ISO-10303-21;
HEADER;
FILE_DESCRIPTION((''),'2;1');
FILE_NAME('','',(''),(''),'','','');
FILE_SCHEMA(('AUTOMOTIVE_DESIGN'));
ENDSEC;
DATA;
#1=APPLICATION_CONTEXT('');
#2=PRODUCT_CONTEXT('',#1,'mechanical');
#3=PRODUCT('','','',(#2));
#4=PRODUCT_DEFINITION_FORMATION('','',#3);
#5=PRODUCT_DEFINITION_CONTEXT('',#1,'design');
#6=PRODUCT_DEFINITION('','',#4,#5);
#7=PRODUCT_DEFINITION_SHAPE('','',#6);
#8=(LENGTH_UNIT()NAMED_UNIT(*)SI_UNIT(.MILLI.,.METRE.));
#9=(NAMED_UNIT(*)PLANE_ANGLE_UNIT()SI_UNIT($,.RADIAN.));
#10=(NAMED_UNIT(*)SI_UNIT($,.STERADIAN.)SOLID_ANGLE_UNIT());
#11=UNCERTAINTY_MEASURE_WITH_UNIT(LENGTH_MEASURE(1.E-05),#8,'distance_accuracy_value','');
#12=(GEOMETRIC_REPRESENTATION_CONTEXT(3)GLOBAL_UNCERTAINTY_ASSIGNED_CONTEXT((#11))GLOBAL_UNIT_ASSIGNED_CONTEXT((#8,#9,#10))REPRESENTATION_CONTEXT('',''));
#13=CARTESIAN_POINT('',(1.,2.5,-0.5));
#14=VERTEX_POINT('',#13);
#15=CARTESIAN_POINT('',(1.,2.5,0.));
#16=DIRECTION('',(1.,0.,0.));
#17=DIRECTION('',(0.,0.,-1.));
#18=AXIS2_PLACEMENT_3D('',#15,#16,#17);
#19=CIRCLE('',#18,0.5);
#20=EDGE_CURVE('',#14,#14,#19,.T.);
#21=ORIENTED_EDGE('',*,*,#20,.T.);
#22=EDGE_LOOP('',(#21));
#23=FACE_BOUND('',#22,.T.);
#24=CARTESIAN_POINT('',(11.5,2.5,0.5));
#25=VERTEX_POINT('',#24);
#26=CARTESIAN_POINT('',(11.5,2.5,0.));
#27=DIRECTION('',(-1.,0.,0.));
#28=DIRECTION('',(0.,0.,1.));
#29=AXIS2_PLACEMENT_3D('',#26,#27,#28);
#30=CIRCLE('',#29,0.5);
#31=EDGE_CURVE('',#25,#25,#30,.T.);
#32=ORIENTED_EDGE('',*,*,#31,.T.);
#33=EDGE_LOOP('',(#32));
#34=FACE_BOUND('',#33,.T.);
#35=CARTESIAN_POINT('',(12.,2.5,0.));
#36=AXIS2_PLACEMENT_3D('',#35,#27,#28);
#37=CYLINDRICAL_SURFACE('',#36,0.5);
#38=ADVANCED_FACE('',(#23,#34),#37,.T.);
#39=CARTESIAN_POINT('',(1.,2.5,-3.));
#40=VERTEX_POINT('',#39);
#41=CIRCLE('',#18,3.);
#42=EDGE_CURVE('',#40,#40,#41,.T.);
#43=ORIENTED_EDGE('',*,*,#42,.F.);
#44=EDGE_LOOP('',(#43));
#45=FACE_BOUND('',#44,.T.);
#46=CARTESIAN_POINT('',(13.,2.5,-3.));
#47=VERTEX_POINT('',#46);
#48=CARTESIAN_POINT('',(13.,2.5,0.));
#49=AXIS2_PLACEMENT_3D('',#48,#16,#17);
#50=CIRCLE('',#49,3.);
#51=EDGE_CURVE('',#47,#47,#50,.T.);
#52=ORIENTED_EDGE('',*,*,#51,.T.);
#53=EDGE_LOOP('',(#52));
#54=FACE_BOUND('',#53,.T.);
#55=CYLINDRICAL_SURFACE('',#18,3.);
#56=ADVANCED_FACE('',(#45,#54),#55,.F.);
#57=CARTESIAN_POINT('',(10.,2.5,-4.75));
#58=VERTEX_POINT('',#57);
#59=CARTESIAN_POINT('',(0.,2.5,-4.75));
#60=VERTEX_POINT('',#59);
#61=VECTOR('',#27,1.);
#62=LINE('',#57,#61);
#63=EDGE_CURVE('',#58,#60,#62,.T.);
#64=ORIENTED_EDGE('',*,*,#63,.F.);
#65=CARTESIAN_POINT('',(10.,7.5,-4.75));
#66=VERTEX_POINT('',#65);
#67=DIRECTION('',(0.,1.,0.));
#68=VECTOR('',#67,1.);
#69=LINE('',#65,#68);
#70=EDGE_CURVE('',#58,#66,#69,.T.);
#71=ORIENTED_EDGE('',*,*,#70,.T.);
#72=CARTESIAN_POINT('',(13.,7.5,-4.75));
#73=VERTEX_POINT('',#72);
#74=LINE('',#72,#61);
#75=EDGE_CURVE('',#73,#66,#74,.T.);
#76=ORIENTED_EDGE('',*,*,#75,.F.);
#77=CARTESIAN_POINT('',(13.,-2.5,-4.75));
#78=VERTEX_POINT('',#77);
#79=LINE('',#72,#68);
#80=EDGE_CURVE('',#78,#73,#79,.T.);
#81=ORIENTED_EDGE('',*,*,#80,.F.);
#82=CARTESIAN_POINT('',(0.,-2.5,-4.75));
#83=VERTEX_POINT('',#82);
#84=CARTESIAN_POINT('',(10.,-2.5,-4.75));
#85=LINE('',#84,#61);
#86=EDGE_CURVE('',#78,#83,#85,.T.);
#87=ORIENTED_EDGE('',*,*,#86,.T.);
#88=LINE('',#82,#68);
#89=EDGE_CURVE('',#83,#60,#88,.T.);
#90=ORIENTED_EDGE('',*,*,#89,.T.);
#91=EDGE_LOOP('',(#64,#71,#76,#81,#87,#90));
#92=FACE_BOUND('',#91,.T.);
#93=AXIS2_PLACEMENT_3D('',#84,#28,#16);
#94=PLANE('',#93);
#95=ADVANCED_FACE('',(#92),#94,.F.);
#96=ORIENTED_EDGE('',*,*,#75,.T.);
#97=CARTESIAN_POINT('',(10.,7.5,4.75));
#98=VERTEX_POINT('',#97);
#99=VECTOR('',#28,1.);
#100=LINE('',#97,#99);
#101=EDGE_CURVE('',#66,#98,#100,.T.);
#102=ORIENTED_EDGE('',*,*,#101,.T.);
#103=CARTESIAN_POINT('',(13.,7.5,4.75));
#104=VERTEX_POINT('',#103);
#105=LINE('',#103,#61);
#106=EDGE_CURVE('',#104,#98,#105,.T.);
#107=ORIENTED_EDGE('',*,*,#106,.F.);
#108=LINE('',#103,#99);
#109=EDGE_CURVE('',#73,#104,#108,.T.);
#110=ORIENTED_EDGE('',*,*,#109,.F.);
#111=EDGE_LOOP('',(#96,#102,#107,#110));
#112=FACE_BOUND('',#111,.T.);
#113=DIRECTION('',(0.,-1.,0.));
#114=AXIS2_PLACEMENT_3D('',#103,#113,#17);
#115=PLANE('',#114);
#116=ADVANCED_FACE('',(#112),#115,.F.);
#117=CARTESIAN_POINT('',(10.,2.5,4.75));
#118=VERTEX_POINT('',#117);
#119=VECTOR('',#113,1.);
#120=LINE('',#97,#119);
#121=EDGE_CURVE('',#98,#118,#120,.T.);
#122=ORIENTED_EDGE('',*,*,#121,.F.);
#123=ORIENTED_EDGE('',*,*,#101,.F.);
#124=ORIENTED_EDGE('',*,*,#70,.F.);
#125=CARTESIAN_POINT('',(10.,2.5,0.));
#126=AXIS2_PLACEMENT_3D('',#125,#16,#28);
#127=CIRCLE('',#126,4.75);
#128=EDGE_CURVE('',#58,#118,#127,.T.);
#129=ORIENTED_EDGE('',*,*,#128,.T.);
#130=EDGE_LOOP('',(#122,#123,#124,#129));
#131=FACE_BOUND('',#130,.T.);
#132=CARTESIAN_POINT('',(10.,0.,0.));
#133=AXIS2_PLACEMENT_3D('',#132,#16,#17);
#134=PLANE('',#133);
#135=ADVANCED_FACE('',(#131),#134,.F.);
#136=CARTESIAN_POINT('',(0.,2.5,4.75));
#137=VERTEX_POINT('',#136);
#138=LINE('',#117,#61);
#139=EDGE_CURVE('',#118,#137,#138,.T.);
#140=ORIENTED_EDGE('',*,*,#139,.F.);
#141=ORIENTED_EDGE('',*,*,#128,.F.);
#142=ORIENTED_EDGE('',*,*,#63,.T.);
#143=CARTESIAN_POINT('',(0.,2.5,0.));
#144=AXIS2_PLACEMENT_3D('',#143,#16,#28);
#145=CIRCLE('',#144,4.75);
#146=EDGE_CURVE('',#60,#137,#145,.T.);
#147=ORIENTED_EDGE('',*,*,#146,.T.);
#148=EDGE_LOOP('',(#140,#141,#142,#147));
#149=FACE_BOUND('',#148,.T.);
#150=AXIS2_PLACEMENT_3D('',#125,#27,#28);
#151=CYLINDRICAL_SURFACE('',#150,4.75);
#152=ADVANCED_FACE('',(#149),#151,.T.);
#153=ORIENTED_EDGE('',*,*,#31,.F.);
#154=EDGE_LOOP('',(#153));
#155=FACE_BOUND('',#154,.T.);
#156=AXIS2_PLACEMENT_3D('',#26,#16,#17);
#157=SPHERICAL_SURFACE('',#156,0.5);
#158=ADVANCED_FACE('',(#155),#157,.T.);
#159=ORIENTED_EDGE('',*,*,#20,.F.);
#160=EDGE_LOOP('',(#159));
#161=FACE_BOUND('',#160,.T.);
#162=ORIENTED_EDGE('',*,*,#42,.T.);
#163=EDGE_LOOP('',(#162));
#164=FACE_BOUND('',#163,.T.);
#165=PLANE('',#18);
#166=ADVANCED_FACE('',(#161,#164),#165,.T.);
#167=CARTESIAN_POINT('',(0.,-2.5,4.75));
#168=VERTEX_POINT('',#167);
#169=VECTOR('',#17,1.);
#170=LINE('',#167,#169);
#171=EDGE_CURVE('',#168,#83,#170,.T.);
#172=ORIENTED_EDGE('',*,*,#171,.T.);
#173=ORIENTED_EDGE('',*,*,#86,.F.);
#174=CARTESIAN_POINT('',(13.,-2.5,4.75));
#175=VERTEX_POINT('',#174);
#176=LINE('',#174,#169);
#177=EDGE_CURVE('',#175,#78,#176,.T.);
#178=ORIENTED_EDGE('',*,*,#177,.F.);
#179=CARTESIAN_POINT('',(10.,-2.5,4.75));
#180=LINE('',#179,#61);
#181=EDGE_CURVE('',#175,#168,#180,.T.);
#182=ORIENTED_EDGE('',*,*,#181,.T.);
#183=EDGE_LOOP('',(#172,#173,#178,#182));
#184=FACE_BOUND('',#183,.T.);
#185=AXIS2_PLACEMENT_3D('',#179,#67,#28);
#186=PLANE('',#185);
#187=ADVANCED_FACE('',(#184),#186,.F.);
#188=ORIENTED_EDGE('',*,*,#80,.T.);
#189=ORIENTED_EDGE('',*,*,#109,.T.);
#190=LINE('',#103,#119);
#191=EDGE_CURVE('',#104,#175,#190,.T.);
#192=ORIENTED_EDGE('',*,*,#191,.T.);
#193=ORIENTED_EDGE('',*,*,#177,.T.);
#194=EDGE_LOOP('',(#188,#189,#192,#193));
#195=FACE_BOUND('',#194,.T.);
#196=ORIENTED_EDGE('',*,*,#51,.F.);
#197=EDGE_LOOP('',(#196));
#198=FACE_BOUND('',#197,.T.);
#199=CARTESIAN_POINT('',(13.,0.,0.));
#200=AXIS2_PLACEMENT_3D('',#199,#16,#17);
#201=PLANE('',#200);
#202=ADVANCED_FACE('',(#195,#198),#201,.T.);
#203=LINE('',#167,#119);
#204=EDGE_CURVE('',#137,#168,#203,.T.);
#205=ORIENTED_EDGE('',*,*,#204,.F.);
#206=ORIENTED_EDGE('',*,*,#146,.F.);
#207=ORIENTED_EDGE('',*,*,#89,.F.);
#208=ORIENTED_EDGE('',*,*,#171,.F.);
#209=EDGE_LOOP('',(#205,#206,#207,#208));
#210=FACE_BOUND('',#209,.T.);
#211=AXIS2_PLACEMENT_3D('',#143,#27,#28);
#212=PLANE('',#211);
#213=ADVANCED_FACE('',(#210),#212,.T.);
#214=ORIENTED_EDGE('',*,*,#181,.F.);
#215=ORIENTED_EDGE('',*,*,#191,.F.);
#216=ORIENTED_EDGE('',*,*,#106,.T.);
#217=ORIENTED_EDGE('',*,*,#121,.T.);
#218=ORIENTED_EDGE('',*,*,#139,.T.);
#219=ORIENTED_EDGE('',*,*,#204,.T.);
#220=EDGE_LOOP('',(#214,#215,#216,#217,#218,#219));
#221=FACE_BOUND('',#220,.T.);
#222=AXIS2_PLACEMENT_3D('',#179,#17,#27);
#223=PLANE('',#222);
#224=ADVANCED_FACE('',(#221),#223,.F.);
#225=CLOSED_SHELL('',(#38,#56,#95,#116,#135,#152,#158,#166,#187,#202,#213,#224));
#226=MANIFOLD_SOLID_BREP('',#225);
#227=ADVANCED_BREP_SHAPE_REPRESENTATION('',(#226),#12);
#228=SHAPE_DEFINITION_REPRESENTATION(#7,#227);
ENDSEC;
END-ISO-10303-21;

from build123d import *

# Parameters (mm, degrees)
BOSS_EXTRUDE1_DEPTH = 10
SKETCH2_W           = 9.5
SKETCH2_H           = 10
BOSS_EXTRUDE2_DEPTH = 3
SKETCH3_R           = 3
CUT_EXTRUDE1_DEPTH  = 12
SKETCH4_R           = 0.5
BOSS_EXTRUDE3_DEPTH = 11
FILLET1_R           = 0.5


with BuildPart() as part:
    # Sketch1 → Boss-Extrude1 (new body)
    with BuildSketch(Plane(origin=(0, 0, 0), x_dir=(0, 0, -1), z_dir=(1, 0, 0))):
        with BuildLine():
            Line((-4.75, -2.5), (4.75, -2.5))
            Line((4.75, -2.5), (4.75, 2.5))
            ThreePointArc((4.75, 2.5), (0, 7.25), (-4.75, 2.5))
            Line((-4.75, 2.5), (-4.75, -2.5))
        make_face()
    extrude(amount=BOSS_EXTRUDE1_DEPTH)

    # Sketch2 → Boss-Extrude2 (add)
    with BuildSketch(Plane(origin=(10, 0, 0), x_dir=(0, 0, -1), z_dir=(1, 0, 0))):
        with Locations((0, 2.5)):
            Rectangle(SKETCH2_W, SKETCH2_H)
    extrude(amount=BOSS_EXTRUDE2_DEPTH)

    # Sketch3 → Cut-Extrude1 (cut)
    with BuildSketch(Plane(origin=(13, 0, 0), x_dir=(0, 0, -1), z_dir=(1, 0, 0))):
        with Locations((0, 2.5)):
            Circle(SKETCH3_R)
    extrude(amount=-CUT_EXTRUDE1_DEPTH, mode=Mode.SUBTRACT)

    # Sketch4 → Boss-Extrude3 (add)
    with BuildSketch(Plane(origin=(1, 0, 0), x_dir=(0, 0, -1), z_dir=(1, 0, 0))):
        with Locations((0, 2.5)):
            Circle(SKETCH4_R)
    extrude(amount=BOSS_EXTRUDE3_DEPTH)

    # Fillet1
    fillet1_edges = [part.edges().sort_by_distance(p)[0] for p in [
        (12, 2.5, 0.5),
    ]]
    fillet(fillet1_edges, radius=FILLET1_R)


solid = part.part
